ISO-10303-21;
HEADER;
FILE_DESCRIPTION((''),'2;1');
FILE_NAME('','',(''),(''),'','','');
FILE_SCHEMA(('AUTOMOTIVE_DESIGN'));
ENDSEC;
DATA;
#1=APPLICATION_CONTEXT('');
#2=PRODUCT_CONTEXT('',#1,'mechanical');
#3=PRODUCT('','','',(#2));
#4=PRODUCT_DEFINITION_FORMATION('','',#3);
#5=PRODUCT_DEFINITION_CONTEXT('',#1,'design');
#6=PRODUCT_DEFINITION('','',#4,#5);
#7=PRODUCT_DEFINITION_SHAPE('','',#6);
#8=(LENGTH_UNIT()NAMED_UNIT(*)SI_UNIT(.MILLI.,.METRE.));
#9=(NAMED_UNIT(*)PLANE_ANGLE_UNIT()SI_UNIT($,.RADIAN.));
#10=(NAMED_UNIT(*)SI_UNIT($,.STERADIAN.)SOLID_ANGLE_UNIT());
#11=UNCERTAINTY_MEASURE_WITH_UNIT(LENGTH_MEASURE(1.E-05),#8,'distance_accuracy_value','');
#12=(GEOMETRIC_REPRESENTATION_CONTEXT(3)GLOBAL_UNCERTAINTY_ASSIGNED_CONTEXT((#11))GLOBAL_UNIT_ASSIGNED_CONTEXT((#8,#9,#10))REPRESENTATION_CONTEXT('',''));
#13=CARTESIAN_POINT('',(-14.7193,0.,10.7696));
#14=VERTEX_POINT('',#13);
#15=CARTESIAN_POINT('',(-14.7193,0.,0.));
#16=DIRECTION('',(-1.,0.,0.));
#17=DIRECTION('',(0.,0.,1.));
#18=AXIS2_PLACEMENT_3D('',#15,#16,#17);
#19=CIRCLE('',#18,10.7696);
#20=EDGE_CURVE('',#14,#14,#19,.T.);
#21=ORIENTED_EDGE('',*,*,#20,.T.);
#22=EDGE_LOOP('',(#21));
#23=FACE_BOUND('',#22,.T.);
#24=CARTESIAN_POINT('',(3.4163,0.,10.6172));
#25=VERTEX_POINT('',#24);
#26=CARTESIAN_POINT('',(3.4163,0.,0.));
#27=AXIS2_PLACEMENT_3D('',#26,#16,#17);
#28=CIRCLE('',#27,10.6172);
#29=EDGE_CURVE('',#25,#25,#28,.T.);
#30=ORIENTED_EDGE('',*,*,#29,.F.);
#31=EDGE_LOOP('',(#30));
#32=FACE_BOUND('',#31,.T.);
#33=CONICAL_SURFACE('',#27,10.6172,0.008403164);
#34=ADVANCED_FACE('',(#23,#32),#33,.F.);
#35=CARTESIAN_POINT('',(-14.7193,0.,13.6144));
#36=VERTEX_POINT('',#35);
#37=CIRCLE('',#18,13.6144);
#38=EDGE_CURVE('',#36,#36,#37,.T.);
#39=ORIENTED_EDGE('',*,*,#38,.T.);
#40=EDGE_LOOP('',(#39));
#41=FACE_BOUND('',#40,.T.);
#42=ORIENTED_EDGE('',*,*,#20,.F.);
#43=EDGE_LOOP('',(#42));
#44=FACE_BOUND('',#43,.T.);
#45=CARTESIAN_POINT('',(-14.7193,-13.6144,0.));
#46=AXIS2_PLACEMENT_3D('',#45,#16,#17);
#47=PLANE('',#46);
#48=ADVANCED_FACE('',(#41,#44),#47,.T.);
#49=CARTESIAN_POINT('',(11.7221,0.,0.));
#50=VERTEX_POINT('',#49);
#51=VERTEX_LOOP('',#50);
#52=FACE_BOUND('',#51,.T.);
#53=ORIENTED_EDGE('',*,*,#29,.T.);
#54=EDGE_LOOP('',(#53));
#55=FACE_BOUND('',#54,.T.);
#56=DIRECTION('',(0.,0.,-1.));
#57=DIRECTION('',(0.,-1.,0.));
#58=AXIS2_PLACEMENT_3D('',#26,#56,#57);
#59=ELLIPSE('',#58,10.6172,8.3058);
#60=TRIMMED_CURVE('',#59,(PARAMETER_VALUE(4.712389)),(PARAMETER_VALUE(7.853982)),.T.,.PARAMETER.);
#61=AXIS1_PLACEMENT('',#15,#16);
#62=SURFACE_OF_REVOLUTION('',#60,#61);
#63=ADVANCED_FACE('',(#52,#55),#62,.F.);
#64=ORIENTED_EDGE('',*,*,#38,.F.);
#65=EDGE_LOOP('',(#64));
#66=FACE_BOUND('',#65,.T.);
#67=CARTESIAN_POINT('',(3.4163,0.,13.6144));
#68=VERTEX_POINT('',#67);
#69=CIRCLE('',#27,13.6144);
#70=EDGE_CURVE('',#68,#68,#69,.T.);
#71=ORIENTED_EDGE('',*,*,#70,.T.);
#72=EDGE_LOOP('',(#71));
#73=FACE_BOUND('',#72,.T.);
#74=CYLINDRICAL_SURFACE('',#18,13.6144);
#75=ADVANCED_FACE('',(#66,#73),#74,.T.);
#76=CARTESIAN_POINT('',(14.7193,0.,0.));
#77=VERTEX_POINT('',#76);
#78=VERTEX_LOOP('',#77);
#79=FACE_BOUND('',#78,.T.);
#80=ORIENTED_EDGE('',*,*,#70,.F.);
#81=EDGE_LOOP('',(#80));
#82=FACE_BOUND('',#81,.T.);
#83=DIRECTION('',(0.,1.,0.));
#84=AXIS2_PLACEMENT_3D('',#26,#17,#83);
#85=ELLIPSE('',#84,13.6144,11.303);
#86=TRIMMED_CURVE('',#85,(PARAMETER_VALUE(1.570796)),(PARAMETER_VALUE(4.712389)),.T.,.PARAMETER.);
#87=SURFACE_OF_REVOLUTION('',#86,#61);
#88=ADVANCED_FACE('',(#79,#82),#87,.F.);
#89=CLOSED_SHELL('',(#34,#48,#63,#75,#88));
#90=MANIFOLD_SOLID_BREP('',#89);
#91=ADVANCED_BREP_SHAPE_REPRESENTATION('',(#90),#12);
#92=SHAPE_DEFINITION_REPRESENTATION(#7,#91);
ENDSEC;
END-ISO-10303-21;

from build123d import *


with BuildPart() as part:
    # Sketch1 → Revolve1 (revolve)
    with BuildSketch(Plane.XY):
        with BuildLine():
            Line((11.7221, 0), (14.7193, 0))
            add(Edge.make_bspline(
                [(3.4163, -13.6144), (14.7193, -13.6144), (14.7193, 0)],
                knots=[3.141592654, 3.141592654, 3.141592654, 4.71238898, 4.71238898, 4.71238898], degree=2, weights=[1, 0.707106781, 1]))
            Line((3.4163, -13.6144), (-14.7193, -13.6144))
            Line((-14.7193, -13.6144), (-14.7193, -10.7696))
            Line((-14.7193, -10.7696), (3.4163, -10.6172))
            add(Edge.make_bspline(
                [(3.4163, -10.6172), (11.7221, -10.6172), (11.7221, 0)],
                knots=[0, 0, 0, 1.570796327, 1.570796327, 1.570796327], degree=2, weights=[1, 0.707106781, 1]))
        make_face()
    revolve(axis=Axis((-14.7193, 0, 0), (1, 0, 0)))


solid = part.part
